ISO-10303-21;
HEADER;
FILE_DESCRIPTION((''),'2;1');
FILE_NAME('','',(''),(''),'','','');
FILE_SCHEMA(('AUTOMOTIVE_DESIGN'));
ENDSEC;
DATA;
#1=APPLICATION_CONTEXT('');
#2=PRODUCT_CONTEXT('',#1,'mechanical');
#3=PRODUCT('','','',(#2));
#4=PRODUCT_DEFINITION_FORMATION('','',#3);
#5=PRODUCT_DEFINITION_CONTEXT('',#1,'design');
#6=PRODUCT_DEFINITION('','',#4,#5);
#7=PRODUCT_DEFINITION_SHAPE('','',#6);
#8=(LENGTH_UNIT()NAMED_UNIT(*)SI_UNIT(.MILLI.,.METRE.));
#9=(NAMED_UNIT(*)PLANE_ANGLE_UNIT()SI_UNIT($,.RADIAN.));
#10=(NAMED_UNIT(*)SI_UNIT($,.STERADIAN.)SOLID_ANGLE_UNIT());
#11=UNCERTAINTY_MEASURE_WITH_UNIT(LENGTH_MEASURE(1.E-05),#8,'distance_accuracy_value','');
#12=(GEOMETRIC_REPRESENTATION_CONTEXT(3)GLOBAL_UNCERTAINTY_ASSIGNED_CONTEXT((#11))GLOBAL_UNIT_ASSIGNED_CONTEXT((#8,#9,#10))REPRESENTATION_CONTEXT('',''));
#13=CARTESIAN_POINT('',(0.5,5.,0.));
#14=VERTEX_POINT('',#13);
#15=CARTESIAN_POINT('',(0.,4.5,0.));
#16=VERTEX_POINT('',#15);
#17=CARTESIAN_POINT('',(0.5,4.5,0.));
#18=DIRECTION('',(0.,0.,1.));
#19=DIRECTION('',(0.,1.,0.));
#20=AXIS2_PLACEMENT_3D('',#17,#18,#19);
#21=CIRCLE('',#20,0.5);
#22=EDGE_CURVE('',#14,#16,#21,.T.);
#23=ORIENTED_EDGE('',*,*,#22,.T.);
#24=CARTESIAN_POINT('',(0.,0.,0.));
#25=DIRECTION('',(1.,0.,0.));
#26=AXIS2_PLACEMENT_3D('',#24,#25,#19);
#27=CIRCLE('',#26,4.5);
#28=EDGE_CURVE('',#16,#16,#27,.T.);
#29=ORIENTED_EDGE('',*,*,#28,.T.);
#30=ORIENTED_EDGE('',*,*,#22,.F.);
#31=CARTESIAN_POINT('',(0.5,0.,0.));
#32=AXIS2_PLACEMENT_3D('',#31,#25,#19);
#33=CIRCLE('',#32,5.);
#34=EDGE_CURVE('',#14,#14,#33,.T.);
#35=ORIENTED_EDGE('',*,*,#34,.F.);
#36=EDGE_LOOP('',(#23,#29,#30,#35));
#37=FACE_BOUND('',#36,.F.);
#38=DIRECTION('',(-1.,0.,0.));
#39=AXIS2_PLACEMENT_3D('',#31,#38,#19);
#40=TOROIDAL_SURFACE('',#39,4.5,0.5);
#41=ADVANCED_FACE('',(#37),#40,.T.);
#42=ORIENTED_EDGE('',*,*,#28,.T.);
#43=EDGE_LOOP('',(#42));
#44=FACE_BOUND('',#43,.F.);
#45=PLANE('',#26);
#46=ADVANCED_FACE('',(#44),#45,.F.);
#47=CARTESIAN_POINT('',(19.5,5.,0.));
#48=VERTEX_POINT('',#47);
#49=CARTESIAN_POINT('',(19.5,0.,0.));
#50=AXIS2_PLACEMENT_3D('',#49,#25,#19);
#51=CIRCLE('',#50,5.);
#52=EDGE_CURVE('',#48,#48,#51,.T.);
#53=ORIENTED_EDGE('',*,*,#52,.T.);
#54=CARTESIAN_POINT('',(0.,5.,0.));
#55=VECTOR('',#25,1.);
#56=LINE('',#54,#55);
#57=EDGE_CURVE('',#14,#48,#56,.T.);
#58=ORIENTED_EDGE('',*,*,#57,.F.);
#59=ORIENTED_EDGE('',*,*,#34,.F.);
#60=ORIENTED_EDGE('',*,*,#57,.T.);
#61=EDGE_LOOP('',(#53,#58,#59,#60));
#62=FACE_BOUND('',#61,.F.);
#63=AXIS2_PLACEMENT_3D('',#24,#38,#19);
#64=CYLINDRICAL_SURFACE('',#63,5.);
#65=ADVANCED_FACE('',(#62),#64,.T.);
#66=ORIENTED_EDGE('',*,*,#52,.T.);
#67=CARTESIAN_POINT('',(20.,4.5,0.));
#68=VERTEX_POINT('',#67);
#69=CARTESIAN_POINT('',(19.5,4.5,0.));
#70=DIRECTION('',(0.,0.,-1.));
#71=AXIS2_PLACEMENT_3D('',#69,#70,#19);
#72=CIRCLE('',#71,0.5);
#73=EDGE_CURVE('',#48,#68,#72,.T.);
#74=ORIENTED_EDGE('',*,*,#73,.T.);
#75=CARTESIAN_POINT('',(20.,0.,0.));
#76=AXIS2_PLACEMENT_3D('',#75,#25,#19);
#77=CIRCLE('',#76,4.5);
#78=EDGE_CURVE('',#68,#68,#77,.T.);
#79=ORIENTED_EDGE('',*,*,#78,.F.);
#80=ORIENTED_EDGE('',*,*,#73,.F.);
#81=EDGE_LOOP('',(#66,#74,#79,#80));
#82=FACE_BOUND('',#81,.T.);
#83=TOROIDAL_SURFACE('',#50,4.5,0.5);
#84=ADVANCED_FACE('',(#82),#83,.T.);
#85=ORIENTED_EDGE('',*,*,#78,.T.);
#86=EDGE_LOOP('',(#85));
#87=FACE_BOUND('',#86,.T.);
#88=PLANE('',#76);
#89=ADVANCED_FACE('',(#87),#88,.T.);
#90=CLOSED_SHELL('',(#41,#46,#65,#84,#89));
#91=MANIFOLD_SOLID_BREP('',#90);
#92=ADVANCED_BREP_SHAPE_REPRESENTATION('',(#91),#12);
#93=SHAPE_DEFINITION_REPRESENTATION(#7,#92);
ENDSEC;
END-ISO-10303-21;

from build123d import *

# Parameters (mm, degrees)
F0_R     = 5
F1_DEPTH = 20
F2_R     = 0.5


with BuildPart() as f1:
    # F0 (on Right) → F1 (new body)
    with BuildSketch(Plane.YZ):
        Circle(F0_R)
    extrude(amount=F1_DEPTH)

    # F2
    f2_edges = [f1.edges().sort_by_distance(p)[0] for p in [
        (20, -5, 0),
        (0, -5, 0),
    ]]
    fillet(f2_edges, radius=F2_R)


solid = f1.part
